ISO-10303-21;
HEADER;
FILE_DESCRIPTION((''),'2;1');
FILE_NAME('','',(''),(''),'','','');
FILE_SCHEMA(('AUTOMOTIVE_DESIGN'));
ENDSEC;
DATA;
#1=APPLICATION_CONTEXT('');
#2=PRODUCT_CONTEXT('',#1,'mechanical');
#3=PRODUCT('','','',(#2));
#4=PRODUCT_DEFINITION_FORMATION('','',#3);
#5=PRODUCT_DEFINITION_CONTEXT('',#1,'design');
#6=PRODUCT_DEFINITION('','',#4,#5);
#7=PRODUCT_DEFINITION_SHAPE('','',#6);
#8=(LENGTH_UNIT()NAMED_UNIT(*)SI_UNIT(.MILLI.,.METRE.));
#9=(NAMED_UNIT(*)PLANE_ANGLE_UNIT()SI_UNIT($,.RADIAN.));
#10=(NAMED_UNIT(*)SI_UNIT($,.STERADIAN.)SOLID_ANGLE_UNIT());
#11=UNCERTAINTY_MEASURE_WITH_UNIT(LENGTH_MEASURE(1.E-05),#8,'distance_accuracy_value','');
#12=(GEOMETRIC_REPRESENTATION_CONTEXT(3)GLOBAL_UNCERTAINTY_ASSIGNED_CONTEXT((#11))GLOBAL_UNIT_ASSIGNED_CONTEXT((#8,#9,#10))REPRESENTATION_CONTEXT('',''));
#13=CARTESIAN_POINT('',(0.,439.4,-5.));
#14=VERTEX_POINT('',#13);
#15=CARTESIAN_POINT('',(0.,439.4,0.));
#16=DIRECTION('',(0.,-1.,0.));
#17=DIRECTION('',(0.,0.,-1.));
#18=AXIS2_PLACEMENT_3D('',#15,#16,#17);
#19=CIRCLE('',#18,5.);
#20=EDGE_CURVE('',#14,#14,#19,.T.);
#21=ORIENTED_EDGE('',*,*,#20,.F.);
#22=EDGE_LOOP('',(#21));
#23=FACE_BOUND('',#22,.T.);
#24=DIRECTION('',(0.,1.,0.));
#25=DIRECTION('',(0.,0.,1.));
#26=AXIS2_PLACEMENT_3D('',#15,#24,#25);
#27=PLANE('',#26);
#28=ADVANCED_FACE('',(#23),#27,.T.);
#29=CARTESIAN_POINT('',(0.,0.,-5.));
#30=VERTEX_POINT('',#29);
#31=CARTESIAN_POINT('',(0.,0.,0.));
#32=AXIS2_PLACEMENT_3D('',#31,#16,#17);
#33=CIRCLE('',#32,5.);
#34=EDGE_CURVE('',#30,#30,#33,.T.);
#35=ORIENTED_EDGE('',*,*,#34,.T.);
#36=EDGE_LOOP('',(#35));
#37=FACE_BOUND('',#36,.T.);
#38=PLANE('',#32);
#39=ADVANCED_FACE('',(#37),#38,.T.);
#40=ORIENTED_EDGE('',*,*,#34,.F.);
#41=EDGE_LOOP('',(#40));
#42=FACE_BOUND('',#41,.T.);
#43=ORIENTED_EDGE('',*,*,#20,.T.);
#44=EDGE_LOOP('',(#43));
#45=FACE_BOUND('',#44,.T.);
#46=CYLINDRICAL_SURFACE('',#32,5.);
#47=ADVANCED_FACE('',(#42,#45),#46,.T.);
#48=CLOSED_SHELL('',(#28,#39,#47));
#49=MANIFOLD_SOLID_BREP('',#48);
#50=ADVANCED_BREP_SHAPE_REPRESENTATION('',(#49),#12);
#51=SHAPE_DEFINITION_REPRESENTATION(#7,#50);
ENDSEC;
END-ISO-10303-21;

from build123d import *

# Parameters (mm, degrees)
SKETCH1_W = 5
SKETCH1_H = 439.4


with BuildPart() as part:
    # Sketch1 → Revolve1 (revolve)
    with BuildSketch(Plane.XY, mode=Mode.PRIVATE) as revolve1_sk:
        with Locations((2.5, 219.7)):
            Rectangle(SKETCH1_W, SKETCH1_H)
    revolve(revolve1_sk.sketch.rotate(Axis((0, 0, 0), (0, 1, 0)), 90), axis=Axis((0, 0, 0), (0, 1, 0)))


solid = part.part
